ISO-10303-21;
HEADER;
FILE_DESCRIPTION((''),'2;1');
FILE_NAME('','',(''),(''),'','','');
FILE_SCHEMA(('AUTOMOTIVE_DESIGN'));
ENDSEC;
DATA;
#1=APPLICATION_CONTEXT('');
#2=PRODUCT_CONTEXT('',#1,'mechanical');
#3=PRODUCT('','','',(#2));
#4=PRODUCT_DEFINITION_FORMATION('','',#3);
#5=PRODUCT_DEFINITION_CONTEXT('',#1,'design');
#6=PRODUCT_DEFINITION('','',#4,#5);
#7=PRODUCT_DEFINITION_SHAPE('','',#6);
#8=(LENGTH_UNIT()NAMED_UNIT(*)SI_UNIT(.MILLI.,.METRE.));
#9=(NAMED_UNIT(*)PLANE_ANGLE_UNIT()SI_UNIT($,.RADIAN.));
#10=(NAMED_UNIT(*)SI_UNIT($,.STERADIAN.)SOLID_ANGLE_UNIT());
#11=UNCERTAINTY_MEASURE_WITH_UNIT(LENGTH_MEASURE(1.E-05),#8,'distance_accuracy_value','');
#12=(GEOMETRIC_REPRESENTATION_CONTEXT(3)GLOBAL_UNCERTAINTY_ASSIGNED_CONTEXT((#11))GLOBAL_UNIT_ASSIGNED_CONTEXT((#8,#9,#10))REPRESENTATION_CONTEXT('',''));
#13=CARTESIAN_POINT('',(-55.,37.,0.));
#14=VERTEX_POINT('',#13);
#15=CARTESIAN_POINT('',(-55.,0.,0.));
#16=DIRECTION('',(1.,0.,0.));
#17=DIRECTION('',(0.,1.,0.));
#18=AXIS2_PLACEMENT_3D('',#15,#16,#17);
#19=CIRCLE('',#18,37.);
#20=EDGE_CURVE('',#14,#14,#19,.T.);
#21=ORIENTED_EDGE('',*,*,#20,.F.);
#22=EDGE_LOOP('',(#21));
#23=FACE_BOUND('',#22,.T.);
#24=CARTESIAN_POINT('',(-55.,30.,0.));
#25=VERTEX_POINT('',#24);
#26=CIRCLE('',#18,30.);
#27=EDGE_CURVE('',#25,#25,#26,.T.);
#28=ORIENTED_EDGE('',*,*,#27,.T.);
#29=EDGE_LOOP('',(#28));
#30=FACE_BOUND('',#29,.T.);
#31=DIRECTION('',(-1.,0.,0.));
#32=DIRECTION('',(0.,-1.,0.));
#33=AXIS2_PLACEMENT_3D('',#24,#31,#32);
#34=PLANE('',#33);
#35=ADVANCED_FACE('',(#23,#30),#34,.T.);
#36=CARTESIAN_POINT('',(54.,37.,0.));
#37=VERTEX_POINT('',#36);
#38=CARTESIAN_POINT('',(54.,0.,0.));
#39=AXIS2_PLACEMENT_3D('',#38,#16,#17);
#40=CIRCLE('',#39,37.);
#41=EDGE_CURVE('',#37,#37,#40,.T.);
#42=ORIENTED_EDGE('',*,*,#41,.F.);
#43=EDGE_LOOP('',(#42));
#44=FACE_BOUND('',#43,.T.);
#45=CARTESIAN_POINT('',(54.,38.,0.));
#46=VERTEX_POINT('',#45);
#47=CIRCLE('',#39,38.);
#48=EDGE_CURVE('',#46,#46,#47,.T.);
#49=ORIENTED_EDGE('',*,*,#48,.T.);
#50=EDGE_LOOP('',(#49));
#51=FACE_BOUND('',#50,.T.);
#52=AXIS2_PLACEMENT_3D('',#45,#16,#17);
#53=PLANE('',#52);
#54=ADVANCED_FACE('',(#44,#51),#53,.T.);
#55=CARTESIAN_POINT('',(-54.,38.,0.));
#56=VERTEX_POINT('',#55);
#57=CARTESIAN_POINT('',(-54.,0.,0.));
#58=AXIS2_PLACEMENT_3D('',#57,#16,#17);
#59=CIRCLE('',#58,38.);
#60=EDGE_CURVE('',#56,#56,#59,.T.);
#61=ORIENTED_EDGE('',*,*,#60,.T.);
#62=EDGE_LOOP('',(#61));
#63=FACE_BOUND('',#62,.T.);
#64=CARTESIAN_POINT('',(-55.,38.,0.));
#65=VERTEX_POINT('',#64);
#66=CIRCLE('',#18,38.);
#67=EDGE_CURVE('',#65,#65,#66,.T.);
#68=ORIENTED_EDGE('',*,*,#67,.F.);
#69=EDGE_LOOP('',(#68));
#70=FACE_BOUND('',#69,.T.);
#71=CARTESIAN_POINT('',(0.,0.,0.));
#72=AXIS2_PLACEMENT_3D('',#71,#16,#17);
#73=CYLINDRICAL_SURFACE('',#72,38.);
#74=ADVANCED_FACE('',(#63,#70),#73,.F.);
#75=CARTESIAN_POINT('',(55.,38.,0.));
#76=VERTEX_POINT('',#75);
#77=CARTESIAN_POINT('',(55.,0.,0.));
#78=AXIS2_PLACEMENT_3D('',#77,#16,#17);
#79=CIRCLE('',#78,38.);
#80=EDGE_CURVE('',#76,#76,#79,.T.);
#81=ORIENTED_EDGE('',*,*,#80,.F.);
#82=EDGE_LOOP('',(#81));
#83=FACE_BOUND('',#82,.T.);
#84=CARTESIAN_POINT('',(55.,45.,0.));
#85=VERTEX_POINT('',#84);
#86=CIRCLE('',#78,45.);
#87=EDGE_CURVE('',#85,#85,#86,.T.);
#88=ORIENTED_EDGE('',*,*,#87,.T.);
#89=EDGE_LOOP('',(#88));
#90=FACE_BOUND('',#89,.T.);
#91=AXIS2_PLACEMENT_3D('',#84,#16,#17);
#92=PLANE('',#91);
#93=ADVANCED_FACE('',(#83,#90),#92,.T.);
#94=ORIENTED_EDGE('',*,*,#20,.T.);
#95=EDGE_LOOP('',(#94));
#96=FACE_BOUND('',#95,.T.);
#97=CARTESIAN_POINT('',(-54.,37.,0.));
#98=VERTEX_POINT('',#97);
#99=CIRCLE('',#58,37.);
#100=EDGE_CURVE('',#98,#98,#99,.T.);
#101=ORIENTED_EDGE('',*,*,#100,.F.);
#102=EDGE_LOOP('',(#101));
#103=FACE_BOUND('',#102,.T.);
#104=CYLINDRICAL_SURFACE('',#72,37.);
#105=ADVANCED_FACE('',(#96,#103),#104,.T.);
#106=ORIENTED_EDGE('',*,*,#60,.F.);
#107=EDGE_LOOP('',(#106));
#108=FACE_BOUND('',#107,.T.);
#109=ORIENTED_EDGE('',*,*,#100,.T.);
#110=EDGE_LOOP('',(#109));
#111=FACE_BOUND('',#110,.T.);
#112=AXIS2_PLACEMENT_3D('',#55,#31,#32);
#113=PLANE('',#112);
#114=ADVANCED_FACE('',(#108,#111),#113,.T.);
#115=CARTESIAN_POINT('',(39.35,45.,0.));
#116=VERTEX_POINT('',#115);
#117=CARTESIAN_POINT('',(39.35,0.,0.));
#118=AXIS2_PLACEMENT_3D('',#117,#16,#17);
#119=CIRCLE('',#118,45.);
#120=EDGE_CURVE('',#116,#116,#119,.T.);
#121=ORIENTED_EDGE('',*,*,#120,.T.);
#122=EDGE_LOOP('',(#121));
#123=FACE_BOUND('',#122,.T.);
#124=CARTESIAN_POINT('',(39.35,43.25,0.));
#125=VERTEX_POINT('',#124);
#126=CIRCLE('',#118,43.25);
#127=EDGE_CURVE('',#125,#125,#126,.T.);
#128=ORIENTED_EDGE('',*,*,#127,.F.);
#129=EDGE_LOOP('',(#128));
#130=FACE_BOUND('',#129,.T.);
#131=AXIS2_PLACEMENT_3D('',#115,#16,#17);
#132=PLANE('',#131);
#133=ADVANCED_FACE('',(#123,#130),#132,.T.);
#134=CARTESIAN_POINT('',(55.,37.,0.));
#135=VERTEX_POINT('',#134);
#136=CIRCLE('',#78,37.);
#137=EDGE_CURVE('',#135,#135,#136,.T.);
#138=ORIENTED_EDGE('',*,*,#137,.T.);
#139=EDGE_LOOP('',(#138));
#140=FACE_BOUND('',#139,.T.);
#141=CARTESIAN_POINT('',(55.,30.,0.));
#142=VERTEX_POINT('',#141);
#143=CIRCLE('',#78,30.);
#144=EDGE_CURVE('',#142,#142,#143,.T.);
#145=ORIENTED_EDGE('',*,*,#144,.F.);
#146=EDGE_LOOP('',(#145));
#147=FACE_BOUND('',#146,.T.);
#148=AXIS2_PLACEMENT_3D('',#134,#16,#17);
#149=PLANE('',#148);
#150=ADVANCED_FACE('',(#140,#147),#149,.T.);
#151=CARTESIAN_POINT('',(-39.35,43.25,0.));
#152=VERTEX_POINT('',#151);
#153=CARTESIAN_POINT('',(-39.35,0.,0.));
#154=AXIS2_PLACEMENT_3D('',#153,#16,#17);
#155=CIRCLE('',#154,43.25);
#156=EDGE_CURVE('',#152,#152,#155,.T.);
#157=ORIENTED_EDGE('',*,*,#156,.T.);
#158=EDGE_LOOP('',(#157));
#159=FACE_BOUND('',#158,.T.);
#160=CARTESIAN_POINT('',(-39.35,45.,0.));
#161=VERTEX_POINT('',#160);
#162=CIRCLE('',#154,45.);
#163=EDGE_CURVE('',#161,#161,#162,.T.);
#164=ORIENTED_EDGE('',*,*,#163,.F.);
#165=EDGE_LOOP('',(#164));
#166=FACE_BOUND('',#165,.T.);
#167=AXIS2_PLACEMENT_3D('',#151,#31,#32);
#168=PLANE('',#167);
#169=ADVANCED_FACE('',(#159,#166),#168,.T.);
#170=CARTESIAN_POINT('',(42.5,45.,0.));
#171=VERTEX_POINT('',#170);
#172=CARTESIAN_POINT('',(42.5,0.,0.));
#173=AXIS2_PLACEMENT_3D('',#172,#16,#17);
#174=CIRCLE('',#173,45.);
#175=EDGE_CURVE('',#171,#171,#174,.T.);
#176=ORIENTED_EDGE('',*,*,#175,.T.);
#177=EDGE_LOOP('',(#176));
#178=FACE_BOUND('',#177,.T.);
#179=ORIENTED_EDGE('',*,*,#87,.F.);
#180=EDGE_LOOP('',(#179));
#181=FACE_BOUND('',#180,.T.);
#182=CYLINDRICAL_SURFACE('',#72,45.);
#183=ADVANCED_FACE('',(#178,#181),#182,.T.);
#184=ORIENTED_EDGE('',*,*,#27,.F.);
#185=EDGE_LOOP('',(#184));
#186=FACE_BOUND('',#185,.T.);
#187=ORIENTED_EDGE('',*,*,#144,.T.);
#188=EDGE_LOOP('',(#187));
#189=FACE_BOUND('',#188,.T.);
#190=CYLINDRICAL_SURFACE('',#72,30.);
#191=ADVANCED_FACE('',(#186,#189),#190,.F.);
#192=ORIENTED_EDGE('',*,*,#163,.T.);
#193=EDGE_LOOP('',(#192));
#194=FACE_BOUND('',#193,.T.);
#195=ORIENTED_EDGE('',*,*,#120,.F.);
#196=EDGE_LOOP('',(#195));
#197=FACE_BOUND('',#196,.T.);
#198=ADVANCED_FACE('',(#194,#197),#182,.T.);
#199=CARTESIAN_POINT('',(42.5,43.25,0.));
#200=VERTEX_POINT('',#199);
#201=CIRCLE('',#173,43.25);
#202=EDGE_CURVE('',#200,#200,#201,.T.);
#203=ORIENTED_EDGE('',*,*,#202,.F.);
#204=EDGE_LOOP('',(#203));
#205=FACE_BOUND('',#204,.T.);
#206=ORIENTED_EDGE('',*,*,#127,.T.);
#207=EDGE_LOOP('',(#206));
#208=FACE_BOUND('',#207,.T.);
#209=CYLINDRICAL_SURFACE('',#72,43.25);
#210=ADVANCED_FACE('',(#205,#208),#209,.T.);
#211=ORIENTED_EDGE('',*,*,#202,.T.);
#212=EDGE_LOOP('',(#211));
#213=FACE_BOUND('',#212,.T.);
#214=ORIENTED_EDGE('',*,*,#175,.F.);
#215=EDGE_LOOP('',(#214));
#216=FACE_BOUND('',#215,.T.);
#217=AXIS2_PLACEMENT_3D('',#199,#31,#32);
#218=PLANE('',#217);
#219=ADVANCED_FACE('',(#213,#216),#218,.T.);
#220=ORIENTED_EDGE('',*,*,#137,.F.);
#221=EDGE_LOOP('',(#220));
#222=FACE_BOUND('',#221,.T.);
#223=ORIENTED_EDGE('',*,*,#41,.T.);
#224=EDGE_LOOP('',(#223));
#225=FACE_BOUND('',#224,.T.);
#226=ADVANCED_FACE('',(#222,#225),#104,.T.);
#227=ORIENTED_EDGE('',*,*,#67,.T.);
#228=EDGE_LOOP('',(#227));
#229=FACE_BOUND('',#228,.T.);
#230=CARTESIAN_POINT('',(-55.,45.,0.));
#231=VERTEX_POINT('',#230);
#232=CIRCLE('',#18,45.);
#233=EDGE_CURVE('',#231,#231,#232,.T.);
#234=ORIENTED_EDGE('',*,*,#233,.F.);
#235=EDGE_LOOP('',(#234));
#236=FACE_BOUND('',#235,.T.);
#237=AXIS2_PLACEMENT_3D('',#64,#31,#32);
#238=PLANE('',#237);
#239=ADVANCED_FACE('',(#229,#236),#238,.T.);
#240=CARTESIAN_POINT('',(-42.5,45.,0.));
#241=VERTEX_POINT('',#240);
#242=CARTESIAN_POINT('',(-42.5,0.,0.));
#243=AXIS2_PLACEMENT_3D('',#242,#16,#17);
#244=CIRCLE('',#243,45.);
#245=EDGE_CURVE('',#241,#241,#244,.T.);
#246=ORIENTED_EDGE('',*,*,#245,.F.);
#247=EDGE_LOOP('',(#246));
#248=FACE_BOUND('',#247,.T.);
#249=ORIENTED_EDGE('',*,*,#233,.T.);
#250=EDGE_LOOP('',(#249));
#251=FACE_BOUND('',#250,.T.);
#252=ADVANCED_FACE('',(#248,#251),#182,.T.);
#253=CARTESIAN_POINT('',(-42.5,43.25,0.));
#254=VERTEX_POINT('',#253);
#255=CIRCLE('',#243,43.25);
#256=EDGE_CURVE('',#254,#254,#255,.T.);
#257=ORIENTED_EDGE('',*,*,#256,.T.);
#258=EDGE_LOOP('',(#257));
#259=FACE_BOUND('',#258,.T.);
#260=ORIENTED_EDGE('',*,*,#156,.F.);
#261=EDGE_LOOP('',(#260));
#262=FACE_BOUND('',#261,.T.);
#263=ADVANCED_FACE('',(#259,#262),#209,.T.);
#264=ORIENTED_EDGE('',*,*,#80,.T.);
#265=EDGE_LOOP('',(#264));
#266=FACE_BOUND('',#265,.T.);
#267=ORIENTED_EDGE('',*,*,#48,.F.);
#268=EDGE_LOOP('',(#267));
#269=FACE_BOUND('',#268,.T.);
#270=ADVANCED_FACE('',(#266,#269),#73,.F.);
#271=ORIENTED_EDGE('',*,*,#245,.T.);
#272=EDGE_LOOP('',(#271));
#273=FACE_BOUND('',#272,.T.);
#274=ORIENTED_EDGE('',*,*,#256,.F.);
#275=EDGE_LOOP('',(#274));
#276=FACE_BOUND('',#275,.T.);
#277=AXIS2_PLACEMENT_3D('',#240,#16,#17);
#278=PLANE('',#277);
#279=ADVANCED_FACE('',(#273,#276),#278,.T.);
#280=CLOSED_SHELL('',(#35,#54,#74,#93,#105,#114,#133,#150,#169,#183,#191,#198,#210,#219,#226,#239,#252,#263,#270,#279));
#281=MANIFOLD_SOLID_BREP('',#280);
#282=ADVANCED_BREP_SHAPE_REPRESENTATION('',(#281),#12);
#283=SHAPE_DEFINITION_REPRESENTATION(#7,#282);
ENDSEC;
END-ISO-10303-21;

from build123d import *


with BuildPart() as part:
    # Esboço1 → Revolução1 (revolve)
    with BuildSketch(Plane.XY):
        Polygon((-55, 45), (-42.5, 45), (-42.5, 43.25), (-39.35, 43.25), (-39.35, 45), (39.35, 45), (39.35, 43.25), (42.5, 43.25), (42.5, 45), (55, 45), (55, 38), (54, 38), (54, 37), (55, 37), (55, 30), (-55, 30), (-55, 37), (-54, 37), (-54, 38), (-55, 38), align=None)
    revolve(axis=Axis((0, 0, 0), (-1, 0, 0)))


solid = part.part
